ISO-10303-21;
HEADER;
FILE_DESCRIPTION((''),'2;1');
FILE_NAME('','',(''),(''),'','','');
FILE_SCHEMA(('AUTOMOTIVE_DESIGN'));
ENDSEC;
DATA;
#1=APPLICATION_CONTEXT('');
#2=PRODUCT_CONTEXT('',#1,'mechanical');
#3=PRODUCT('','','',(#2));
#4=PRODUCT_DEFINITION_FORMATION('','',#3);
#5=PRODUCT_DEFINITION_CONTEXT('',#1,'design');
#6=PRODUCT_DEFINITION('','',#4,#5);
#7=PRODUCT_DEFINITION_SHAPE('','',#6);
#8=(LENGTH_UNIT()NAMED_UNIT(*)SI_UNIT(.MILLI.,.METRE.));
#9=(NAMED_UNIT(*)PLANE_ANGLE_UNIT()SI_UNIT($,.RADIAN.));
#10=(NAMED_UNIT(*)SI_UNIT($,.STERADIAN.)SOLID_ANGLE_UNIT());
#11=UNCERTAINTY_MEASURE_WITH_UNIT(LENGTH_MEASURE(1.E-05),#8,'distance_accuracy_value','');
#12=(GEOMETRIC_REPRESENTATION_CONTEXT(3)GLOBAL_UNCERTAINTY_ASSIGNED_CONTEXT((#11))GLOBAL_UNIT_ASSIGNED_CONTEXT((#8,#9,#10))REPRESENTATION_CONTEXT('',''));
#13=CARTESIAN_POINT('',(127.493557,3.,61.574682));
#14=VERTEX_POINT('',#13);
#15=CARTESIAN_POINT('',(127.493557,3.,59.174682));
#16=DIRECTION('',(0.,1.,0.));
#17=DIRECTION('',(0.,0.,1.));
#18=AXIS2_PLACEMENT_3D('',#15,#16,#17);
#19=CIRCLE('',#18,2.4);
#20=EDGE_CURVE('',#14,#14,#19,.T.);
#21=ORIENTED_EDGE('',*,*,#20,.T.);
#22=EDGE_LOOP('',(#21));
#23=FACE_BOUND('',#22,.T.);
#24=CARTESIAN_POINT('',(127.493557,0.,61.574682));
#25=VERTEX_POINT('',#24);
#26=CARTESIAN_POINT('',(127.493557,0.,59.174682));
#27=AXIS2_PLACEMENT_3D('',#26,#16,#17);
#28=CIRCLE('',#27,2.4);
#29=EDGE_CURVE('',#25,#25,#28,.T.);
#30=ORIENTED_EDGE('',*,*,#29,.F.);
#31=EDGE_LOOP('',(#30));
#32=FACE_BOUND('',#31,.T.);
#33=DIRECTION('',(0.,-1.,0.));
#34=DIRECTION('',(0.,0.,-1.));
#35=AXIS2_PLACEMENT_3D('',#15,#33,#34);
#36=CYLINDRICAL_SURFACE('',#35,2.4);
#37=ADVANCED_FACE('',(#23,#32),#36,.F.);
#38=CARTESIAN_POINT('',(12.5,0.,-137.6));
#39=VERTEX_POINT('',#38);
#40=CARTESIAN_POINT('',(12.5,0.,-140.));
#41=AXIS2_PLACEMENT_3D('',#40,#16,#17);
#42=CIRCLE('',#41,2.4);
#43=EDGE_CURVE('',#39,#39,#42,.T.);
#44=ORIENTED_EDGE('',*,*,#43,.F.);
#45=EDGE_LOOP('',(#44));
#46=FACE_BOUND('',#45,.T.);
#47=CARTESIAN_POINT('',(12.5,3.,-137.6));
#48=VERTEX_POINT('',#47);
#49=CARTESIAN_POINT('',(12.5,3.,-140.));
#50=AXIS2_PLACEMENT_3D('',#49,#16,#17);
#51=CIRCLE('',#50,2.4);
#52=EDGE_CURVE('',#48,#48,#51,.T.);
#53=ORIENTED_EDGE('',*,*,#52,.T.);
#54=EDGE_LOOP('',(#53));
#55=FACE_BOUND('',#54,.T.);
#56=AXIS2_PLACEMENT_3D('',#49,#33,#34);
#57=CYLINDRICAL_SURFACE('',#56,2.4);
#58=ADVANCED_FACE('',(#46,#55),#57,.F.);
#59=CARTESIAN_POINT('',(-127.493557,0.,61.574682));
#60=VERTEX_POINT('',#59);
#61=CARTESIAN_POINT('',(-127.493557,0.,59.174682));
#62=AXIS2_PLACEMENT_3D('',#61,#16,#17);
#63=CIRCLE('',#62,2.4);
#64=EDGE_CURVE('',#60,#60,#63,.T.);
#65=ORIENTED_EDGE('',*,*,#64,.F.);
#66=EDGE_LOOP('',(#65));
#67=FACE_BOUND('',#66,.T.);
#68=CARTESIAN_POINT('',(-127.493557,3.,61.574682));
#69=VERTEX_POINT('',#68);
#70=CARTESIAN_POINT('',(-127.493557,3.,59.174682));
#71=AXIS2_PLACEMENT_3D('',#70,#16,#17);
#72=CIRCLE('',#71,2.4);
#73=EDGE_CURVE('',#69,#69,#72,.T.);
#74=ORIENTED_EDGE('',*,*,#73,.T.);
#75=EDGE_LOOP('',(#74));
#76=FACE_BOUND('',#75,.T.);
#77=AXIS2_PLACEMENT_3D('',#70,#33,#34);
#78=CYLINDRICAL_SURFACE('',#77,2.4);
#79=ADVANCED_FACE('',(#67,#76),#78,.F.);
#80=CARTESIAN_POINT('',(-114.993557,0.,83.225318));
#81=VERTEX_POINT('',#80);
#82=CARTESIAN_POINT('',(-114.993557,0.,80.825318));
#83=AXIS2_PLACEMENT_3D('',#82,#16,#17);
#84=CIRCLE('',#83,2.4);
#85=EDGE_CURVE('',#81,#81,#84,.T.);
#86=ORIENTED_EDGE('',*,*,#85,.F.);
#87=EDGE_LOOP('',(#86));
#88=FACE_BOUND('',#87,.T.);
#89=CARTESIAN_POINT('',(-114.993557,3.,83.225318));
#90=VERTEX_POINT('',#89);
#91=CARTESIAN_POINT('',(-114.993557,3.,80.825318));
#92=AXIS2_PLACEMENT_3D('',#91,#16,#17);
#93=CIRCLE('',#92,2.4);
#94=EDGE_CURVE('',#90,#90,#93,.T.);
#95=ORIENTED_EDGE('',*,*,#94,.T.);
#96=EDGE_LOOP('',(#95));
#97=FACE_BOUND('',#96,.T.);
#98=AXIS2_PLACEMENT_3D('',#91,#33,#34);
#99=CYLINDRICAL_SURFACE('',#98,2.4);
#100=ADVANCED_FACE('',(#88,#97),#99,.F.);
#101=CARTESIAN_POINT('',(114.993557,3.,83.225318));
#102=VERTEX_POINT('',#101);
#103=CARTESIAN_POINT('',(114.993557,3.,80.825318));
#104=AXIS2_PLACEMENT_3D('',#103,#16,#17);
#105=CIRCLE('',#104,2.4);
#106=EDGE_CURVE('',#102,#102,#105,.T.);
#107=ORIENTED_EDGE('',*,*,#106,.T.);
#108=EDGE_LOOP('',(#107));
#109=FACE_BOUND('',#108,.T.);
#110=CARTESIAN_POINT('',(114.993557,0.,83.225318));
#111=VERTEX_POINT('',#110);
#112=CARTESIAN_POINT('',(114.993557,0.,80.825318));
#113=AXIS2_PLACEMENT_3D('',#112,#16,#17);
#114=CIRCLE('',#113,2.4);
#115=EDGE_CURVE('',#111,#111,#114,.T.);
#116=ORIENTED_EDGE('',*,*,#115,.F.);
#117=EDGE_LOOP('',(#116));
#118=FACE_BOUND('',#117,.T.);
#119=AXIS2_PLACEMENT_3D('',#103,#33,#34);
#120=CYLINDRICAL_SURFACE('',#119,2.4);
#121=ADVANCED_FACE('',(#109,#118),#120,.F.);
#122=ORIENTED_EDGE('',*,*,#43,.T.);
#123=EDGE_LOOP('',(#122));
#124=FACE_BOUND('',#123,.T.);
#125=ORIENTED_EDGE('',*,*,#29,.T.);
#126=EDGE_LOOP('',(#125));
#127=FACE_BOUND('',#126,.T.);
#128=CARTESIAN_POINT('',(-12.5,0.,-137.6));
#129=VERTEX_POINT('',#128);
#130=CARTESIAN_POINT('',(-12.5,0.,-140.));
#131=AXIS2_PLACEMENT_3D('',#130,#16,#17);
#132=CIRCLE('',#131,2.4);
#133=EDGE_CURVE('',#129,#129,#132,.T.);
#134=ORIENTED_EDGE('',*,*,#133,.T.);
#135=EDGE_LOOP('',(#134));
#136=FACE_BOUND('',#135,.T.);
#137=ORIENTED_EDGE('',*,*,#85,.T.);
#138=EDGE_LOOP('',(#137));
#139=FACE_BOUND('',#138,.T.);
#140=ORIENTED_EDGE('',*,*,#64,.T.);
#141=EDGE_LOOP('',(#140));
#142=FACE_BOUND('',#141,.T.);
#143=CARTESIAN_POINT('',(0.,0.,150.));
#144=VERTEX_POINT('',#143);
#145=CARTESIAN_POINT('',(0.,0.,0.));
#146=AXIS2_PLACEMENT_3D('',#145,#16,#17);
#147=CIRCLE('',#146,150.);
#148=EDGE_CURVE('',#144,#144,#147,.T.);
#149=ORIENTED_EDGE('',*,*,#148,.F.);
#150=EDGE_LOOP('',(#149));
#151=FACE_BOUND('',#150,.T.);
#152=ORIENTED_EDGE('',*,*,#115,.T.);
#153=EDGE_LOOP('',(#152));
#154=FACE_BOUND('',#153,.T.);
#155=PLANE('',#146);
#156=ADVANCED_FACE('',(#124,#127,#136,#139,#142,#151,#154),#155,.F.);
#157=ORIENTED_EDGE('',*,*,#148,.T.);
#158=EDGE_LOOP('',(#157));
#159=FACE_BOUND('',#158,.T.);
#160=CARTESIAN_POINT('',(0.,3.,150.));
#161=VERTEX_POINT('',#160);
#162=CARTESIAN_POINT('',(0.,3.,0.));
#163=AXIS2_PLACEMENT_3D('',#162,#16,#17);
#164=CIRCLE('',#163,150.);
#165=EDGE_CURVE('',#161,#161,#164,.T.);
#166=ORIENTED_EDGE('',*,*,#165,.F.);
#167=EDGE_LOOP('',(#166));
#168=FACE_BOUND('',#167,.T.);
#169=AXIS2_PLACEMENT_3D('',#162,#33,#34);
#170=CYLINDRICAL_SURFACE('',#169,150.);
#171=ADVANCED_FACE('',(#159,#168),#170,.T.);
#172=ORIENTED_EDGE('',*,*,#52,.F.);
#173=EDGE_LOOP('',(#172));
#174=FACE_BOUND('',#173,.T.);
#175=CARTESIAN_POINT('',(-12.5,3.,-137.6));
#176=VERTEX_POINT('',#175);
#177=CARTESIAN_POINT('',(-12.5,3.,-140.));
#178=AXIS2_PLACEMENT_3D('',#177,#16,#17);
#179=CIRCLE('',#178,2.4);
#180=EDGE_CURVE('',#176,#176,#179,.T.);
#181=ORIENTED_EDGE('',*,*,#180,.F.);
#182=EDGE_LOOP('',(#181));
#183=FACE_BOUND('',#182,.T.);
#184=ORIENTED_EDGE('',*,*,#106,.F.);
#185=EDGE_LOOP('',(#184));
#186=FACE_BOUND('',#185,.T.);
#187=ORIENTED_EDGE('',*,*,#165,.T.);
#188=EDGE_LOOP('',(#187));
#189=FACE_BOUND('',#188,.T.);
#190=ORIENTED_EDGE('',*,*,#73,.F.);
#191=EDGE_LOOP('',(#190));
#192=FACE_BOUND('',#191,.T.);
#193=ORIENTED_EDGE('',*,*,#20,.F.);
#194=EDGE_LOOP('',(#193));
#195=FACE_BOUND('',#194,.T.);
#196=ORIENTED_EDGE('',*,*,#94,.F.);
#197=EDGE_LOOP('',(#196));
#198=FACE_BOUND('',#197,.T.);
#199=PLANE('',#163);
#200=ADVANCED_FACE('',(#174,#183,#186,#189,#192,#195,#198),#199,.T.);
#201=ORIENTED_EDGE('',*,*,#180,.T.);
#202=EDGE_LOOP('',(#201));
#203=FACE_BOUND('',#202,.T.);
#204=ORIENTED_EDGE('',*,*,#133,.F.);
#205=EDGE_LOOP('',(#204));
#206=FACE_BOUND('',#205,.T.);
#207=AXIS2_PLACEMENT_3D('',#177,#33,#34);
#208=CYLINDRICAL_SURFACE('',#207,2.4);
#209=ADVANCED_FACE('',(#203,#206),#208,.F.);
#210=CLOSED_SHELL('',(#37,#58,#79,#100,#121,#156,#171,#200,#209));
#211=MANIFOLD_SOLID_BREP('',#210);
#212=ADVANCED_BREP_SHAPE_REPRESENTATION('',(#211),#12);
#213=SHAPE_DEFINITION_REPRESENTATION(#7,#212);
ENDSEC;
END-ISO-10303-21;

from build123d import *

# Parameters (mm, degrees)
SKETCH1_R           = 150
SKETCH1_R_2         = 2.4
BOSS_EXTRUDE1_DEPTH = 3


with BuildPart() as part:
    # Sketch1 → Boss-Extrude1 (new body)
    with BuildSketch(Plane(origin=(0, 0, 0), x_dir=(1, 0, 0), z_dir=(0, 1, 0))):
        Circle(SKETCH1_R)
        with Locations((12.5, 140)):
            Circle(SKETCH1_R_2, mode=Mode.SUBTRACT)
        with Locations((-12.5, 140)):
            Circle(SKETCH1_R_2, mode=Mode.SUBTRACT)
        with Locations((127.49355653, -59.174682453)):
            Circle(SKETCH1_R_2, mode=Mode.SUBTRACT)
        with Locations((114.99355653, -80.825317547)):
            Circle(SKETCH1_R_2, mode=Mode.SUBTRACT)
        with Locations((-114.99355653, -80.825317547)):
            Circle(SKETCH1_R_2, mode=Mode.SUBTRACT)
        with Locations((-127.49355653, -59.174682453)):
            Circle(SKETCH1_R_2, mode=Mode.SUBTRACT)
    extrude(amount=BOSS_EXTRUDE1_DEPTH)


solid = part.part
